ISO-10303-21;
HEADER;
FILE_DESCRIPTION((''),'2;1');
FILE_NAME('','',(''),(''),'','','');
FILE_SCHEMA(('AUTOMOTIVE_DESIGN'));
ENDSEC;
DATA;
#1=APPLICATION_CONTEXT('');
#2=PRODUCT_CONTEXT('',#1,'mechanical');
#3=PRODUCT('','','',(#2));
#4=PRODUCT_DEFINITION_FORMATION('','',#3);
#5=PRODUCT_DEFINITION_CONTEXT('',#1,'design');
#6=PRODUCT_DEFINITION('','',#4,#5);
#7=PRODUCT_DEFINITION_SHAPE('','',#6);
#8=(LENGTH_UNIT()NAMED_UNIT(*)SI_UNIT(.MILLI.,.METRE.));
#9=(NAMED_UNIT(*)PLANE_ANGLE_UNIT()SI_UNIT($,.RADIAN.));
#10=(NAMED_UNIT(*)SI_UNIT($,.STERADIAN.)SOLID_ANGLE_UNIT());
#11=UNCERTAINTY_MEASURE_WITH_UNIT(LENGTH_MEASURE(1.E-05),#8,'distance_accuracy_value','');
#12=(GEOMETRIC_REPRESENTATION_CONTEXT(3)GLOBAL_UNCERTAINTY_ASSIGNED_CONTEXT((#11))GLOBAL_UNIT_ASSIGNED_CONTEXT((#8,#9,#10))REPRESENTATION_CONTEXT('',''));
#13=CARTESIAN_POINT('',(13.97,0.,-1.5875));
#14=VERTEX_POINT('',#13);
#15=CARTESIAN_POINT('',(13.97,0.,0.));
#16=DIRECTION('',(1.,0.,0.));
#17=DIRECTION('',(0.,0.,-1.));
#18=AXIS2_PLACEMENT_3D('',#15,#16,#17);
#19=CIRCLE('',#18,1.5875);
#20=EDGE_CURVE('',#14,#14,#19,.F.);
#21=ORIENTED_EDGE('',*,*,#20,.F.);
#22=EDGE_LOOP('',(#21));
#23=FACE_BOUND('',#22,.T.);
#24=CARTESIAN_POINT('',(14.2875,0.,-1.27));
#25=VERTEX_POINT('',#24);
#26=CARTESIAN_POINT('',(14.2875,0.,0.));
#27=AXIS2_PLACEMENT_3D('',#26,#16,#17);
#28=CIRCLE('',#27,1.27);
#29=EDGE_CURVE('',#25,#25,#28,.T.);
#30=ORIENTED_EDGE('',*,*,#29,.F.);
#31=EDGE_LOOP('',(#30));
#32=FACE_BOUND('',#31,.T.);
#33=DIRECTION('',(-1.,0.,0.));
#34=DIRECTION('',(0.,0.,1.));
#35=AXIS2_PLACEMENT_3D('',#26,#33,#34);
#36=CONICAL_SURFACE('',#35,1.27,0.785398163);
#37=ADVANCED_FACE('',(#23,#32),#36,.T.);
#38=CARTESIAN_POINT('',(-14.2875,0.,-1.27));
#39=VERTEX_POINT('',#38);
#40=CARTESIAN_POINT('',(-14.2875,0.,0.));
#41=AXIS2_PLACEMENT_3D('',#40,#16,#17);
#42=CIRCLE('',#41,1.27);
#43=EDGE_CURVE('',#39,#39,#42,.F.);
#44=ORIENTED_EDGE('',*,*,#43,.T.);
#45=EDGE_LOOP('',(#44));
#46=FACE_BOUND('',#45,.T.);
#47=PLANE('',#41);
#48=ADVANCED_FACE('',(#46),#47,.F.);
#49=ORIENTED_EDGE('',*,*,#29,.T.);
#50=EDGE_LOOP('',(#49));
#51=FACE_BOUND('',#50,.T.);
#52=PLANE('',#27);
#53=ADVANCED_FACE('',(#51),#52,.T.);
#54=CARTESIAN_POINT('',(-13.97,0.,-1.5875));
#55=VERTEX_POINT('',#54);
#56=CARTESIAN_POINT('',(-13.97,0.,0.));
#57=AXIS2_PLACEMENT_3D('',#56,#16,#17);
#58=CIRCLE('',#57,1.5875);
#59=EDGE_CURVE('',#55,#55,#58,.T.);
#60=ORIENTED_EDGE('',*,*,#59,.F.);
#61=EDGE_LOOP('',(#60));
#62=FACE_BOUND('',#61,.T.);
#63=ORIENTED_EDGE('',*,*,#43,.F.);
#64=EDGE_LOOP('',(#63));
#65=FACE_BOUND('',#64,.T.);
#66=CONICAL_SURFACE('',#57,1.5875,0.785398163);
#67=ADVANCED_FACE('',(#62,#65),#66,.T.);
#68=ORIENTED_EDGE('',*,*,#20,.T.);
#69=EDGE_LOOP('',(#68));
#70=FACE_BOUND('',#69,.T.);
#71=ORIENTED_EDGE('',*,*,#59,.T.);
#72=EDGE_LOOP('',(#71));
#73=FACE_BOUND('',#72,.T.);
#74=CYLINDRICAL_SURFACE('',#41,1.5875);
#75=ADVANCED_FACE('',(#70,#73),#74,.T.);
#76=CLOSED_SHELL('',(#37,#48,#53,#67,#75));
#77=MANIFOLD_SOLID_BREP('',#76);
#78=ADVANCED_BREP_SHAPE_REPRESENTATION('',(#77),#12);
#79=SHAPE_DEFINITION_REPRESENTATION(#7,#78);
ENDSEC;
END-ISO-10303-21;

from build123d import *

# Parameters (mm, degrees)
EXTRUDE1_DEPTH      = 14.2875
EXTRUDE1_DEPTH_BACK = 14.2875
SKETCH2_R           = 1.5875
CHAMFER1_SIZE       = 0.3175


with BuildPart() as part:
    # Sketch2 → Extrude1 (new, two sides: drawn at the far end of the back side and taken through both)
    with BuildSketch(Plane(origin=(0, 0, 0), x_dir=(0, 0, -1), z_dir=(1, 0, 0)).offset(-EXTRUDE1_DEPTH_BACK)):
        Circle(SKETCH2_R)
    extrude(amount=EXTRUDE1_DEPTH + EXTRUDE1_DEPTH_BACK)

    # Chamfer1
    chamfer1_edges = [part.edges().sort_by_distance(p)[0] for p in [
        (-14.2875, 0, 1.5875),
        (14.2875, 0, 1.5875),
    ]]
    chamfer(chamfer1_edges, length=CHAMFER1_SIZE)


solid = part.part
